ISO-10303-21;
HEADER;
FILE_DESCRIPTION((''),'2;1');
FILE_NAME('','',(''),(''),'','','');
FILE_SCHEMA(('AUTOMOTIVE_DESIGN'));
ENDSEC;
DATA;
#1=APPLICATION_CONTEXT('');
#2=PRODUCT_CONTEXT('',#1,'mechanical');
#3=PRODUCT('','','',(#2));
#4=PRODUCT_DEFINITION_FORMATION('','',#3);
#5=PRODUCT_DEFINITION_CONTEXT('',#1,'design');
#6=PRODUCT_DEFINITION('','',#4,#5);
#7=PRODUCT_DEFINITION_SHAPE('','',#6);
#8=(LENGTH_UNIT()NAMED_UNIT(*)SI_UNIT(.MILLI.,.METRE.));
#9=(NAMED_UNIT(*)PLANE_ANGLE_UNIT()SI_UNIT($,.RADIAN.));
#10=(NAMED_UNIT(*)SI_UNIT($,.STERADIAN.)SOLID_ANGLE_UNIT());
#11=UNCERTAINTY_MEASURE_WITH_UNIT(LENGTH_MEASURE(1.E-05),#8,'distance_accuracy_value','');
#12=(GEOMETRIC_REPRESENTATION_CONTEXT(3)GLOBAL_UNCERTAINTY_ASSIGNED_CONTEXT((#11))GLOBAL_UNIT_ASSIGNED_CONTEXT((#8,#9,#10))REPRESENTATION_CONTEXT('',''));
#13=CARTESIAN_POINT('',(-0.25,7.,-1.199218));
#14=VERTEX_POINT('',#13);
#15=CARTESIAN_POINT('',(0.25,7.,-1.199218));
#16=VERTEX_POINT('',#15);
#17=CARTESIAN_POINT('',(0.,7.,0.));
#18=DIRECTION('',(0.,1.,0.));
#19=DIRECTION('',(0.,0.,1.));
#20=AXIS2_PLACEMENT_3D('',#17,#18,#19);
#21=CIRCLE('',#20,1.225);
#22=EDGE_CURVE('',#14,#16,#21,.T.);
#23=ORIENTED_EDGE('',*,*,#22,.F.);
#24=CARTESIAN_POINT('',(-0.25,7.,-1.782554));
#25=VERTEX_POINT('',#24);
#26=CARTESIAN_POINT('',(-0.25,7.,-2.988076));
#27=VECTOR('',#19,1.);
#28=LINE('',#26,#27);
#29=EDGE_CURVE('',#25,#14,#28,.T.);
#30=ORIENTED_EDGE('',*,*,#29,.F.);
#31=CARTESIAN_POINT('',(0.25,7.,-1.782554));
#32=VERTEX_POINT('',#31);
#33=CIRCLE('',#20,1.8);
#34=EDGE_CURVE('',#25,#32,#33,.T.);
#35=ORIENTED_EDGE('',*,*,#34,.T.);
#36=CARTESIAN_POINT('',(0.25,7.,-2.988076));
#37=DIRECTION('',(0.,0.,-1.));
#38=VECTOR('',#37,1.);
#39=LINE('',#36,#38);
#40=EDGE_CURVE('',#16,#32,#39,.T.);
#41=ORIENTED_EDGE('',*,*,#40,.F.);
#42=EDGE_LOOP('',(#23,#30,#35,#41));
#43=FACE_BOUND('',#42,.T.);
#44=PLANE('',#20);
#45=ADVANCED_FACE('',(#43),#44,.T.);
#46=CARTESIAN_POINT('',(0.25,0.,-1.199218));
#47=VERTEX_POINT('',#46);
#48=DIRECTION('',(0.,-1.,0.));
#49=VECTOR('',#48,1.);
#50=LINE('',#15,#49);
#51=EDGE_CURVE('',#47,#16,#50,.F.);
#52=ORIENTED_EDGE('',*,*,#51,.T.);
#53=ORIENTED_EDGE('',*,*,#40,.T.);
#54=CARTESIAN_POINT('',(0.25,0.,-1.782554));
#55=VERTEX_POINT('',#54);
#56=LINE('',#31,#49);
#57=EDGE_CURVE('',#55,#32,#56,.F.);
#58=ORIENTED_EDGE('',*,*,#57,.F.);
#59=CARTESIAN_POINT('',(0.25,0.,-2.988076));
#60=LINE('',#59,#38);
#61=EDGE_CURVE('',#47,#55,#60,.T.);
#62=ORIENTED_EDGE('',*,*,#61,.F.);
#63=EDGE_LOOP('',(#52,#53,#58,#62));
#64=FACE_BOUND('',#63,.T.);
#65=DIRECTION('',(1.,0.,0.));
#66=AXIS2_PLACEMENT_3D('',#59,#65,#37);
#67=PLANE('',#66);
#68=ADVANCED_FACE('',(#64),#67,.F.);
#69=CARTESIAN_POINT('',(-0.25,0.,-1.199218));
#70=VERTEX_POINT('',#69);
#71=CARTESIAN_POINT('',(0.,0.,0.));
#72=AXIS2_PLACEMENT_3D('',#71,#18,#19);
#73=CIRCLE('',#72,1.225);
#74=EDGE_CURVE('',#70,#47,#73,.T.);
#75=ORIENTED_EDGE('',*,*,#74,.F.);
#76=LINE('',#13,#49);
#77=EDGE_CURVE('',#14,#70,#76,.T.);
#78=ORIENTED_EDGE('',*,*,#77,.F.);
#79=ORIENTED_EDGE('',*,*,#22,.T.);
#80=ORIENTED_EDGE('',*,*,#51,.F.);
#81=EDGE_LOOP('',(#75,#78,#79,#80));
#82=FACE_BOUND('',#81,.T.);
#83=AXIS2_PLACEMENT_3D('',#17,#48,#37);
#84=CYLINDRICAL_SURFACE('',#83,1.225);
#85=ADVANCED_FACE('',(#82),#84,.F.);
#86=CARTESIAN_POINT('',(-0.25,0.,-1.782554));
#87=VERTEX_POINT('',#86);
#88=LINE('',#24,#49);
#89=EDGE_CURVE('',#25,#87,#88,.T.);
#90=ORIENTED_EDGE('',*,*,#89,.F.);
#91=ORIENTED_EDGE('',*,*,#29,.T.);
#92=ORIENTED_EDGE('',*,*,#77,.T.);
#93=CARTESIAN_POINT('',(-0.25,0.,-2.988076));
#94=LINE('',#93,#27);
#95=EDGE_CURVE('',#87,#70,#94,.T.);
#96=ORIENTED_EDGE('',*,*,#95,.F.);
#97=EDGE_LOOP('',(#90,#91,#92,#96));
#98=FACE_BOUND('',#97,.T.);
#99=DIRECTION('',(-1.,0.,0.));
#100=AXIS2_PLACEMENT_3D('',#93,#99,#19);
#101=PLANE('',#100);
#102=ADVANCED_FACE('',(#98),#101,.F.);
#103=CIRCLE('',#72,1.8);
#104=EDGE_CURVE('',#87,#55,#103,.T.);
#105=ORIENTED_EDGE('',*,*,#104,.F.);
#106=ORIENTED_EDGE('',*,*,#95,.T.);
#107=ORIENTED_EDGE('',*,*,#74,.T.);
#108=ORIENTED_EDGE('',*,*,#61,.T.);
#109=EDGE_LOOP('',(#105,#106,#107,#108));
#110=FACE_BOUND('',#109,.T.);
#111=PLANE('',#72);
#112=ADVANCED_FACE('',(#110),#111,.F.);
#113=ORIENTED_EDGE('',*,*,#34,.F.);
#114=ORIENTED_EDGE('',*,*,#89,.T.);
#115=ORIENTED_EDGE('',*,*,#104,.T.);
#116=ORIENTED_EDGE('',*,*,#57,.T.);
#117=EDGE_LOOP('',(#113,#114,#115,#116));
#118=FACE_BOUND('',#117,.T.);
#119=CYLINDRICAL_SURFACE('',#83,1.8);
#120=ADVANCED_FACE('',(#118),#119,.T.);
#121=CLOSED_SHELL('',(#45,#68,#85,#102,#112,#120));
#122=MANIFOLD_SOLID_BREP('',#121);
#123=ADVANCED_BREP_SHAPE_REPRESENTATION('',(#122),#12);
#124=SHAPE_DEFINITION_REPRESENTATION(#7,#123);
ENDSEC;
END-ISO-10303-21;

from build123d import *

# Parameters (mm, degrees)
SKETCH_1_R          = 1.8
SKETCH_1_R_2        = 1.225
EXTRUDE_1_DEPTH     = 7
SKETCH_2_W          = 0.5
SKETCH_2_H          = 2.37615298
CUT_EXTRUDE_1_DEPTH = 8.44848978


with BuildPart() as part:
    # 草图1 → 凸台-拉伸1 (new body)
    with BuildSketch(Plane(origin=(0, 0, 0), x_dir=(1, 0, 0), z_dir=(0, 1, 0))):
        with Locations(Location((0, 0, 0), (0, 0, 270))):
            Circle(SKETCH_1_R)
        with Locations(Location((0, 0, 0), (0, 0, 270))):
            Circle(SKETCH_1_R_2, mode=Mode.SUBTRACT)
    extrude(amount=EXTRUDE_1_DEPTH)

    # 草图2 → 切除-拉伸1 (cut, through all)
    with BuildSketch(Plane(origin=(0, 7, 0), x_dir=(1, 0, 0), z_dir=(0, 1, 0))):
        with Locations((0, 1.8)):
            Rectangle(SKETCH_2_W, SKETCH_2_H)
    extrude(amount=-CUT_EXTRUDE_1_DEPTH, mode=Mode.SUBTRACT)


solid = part.part
